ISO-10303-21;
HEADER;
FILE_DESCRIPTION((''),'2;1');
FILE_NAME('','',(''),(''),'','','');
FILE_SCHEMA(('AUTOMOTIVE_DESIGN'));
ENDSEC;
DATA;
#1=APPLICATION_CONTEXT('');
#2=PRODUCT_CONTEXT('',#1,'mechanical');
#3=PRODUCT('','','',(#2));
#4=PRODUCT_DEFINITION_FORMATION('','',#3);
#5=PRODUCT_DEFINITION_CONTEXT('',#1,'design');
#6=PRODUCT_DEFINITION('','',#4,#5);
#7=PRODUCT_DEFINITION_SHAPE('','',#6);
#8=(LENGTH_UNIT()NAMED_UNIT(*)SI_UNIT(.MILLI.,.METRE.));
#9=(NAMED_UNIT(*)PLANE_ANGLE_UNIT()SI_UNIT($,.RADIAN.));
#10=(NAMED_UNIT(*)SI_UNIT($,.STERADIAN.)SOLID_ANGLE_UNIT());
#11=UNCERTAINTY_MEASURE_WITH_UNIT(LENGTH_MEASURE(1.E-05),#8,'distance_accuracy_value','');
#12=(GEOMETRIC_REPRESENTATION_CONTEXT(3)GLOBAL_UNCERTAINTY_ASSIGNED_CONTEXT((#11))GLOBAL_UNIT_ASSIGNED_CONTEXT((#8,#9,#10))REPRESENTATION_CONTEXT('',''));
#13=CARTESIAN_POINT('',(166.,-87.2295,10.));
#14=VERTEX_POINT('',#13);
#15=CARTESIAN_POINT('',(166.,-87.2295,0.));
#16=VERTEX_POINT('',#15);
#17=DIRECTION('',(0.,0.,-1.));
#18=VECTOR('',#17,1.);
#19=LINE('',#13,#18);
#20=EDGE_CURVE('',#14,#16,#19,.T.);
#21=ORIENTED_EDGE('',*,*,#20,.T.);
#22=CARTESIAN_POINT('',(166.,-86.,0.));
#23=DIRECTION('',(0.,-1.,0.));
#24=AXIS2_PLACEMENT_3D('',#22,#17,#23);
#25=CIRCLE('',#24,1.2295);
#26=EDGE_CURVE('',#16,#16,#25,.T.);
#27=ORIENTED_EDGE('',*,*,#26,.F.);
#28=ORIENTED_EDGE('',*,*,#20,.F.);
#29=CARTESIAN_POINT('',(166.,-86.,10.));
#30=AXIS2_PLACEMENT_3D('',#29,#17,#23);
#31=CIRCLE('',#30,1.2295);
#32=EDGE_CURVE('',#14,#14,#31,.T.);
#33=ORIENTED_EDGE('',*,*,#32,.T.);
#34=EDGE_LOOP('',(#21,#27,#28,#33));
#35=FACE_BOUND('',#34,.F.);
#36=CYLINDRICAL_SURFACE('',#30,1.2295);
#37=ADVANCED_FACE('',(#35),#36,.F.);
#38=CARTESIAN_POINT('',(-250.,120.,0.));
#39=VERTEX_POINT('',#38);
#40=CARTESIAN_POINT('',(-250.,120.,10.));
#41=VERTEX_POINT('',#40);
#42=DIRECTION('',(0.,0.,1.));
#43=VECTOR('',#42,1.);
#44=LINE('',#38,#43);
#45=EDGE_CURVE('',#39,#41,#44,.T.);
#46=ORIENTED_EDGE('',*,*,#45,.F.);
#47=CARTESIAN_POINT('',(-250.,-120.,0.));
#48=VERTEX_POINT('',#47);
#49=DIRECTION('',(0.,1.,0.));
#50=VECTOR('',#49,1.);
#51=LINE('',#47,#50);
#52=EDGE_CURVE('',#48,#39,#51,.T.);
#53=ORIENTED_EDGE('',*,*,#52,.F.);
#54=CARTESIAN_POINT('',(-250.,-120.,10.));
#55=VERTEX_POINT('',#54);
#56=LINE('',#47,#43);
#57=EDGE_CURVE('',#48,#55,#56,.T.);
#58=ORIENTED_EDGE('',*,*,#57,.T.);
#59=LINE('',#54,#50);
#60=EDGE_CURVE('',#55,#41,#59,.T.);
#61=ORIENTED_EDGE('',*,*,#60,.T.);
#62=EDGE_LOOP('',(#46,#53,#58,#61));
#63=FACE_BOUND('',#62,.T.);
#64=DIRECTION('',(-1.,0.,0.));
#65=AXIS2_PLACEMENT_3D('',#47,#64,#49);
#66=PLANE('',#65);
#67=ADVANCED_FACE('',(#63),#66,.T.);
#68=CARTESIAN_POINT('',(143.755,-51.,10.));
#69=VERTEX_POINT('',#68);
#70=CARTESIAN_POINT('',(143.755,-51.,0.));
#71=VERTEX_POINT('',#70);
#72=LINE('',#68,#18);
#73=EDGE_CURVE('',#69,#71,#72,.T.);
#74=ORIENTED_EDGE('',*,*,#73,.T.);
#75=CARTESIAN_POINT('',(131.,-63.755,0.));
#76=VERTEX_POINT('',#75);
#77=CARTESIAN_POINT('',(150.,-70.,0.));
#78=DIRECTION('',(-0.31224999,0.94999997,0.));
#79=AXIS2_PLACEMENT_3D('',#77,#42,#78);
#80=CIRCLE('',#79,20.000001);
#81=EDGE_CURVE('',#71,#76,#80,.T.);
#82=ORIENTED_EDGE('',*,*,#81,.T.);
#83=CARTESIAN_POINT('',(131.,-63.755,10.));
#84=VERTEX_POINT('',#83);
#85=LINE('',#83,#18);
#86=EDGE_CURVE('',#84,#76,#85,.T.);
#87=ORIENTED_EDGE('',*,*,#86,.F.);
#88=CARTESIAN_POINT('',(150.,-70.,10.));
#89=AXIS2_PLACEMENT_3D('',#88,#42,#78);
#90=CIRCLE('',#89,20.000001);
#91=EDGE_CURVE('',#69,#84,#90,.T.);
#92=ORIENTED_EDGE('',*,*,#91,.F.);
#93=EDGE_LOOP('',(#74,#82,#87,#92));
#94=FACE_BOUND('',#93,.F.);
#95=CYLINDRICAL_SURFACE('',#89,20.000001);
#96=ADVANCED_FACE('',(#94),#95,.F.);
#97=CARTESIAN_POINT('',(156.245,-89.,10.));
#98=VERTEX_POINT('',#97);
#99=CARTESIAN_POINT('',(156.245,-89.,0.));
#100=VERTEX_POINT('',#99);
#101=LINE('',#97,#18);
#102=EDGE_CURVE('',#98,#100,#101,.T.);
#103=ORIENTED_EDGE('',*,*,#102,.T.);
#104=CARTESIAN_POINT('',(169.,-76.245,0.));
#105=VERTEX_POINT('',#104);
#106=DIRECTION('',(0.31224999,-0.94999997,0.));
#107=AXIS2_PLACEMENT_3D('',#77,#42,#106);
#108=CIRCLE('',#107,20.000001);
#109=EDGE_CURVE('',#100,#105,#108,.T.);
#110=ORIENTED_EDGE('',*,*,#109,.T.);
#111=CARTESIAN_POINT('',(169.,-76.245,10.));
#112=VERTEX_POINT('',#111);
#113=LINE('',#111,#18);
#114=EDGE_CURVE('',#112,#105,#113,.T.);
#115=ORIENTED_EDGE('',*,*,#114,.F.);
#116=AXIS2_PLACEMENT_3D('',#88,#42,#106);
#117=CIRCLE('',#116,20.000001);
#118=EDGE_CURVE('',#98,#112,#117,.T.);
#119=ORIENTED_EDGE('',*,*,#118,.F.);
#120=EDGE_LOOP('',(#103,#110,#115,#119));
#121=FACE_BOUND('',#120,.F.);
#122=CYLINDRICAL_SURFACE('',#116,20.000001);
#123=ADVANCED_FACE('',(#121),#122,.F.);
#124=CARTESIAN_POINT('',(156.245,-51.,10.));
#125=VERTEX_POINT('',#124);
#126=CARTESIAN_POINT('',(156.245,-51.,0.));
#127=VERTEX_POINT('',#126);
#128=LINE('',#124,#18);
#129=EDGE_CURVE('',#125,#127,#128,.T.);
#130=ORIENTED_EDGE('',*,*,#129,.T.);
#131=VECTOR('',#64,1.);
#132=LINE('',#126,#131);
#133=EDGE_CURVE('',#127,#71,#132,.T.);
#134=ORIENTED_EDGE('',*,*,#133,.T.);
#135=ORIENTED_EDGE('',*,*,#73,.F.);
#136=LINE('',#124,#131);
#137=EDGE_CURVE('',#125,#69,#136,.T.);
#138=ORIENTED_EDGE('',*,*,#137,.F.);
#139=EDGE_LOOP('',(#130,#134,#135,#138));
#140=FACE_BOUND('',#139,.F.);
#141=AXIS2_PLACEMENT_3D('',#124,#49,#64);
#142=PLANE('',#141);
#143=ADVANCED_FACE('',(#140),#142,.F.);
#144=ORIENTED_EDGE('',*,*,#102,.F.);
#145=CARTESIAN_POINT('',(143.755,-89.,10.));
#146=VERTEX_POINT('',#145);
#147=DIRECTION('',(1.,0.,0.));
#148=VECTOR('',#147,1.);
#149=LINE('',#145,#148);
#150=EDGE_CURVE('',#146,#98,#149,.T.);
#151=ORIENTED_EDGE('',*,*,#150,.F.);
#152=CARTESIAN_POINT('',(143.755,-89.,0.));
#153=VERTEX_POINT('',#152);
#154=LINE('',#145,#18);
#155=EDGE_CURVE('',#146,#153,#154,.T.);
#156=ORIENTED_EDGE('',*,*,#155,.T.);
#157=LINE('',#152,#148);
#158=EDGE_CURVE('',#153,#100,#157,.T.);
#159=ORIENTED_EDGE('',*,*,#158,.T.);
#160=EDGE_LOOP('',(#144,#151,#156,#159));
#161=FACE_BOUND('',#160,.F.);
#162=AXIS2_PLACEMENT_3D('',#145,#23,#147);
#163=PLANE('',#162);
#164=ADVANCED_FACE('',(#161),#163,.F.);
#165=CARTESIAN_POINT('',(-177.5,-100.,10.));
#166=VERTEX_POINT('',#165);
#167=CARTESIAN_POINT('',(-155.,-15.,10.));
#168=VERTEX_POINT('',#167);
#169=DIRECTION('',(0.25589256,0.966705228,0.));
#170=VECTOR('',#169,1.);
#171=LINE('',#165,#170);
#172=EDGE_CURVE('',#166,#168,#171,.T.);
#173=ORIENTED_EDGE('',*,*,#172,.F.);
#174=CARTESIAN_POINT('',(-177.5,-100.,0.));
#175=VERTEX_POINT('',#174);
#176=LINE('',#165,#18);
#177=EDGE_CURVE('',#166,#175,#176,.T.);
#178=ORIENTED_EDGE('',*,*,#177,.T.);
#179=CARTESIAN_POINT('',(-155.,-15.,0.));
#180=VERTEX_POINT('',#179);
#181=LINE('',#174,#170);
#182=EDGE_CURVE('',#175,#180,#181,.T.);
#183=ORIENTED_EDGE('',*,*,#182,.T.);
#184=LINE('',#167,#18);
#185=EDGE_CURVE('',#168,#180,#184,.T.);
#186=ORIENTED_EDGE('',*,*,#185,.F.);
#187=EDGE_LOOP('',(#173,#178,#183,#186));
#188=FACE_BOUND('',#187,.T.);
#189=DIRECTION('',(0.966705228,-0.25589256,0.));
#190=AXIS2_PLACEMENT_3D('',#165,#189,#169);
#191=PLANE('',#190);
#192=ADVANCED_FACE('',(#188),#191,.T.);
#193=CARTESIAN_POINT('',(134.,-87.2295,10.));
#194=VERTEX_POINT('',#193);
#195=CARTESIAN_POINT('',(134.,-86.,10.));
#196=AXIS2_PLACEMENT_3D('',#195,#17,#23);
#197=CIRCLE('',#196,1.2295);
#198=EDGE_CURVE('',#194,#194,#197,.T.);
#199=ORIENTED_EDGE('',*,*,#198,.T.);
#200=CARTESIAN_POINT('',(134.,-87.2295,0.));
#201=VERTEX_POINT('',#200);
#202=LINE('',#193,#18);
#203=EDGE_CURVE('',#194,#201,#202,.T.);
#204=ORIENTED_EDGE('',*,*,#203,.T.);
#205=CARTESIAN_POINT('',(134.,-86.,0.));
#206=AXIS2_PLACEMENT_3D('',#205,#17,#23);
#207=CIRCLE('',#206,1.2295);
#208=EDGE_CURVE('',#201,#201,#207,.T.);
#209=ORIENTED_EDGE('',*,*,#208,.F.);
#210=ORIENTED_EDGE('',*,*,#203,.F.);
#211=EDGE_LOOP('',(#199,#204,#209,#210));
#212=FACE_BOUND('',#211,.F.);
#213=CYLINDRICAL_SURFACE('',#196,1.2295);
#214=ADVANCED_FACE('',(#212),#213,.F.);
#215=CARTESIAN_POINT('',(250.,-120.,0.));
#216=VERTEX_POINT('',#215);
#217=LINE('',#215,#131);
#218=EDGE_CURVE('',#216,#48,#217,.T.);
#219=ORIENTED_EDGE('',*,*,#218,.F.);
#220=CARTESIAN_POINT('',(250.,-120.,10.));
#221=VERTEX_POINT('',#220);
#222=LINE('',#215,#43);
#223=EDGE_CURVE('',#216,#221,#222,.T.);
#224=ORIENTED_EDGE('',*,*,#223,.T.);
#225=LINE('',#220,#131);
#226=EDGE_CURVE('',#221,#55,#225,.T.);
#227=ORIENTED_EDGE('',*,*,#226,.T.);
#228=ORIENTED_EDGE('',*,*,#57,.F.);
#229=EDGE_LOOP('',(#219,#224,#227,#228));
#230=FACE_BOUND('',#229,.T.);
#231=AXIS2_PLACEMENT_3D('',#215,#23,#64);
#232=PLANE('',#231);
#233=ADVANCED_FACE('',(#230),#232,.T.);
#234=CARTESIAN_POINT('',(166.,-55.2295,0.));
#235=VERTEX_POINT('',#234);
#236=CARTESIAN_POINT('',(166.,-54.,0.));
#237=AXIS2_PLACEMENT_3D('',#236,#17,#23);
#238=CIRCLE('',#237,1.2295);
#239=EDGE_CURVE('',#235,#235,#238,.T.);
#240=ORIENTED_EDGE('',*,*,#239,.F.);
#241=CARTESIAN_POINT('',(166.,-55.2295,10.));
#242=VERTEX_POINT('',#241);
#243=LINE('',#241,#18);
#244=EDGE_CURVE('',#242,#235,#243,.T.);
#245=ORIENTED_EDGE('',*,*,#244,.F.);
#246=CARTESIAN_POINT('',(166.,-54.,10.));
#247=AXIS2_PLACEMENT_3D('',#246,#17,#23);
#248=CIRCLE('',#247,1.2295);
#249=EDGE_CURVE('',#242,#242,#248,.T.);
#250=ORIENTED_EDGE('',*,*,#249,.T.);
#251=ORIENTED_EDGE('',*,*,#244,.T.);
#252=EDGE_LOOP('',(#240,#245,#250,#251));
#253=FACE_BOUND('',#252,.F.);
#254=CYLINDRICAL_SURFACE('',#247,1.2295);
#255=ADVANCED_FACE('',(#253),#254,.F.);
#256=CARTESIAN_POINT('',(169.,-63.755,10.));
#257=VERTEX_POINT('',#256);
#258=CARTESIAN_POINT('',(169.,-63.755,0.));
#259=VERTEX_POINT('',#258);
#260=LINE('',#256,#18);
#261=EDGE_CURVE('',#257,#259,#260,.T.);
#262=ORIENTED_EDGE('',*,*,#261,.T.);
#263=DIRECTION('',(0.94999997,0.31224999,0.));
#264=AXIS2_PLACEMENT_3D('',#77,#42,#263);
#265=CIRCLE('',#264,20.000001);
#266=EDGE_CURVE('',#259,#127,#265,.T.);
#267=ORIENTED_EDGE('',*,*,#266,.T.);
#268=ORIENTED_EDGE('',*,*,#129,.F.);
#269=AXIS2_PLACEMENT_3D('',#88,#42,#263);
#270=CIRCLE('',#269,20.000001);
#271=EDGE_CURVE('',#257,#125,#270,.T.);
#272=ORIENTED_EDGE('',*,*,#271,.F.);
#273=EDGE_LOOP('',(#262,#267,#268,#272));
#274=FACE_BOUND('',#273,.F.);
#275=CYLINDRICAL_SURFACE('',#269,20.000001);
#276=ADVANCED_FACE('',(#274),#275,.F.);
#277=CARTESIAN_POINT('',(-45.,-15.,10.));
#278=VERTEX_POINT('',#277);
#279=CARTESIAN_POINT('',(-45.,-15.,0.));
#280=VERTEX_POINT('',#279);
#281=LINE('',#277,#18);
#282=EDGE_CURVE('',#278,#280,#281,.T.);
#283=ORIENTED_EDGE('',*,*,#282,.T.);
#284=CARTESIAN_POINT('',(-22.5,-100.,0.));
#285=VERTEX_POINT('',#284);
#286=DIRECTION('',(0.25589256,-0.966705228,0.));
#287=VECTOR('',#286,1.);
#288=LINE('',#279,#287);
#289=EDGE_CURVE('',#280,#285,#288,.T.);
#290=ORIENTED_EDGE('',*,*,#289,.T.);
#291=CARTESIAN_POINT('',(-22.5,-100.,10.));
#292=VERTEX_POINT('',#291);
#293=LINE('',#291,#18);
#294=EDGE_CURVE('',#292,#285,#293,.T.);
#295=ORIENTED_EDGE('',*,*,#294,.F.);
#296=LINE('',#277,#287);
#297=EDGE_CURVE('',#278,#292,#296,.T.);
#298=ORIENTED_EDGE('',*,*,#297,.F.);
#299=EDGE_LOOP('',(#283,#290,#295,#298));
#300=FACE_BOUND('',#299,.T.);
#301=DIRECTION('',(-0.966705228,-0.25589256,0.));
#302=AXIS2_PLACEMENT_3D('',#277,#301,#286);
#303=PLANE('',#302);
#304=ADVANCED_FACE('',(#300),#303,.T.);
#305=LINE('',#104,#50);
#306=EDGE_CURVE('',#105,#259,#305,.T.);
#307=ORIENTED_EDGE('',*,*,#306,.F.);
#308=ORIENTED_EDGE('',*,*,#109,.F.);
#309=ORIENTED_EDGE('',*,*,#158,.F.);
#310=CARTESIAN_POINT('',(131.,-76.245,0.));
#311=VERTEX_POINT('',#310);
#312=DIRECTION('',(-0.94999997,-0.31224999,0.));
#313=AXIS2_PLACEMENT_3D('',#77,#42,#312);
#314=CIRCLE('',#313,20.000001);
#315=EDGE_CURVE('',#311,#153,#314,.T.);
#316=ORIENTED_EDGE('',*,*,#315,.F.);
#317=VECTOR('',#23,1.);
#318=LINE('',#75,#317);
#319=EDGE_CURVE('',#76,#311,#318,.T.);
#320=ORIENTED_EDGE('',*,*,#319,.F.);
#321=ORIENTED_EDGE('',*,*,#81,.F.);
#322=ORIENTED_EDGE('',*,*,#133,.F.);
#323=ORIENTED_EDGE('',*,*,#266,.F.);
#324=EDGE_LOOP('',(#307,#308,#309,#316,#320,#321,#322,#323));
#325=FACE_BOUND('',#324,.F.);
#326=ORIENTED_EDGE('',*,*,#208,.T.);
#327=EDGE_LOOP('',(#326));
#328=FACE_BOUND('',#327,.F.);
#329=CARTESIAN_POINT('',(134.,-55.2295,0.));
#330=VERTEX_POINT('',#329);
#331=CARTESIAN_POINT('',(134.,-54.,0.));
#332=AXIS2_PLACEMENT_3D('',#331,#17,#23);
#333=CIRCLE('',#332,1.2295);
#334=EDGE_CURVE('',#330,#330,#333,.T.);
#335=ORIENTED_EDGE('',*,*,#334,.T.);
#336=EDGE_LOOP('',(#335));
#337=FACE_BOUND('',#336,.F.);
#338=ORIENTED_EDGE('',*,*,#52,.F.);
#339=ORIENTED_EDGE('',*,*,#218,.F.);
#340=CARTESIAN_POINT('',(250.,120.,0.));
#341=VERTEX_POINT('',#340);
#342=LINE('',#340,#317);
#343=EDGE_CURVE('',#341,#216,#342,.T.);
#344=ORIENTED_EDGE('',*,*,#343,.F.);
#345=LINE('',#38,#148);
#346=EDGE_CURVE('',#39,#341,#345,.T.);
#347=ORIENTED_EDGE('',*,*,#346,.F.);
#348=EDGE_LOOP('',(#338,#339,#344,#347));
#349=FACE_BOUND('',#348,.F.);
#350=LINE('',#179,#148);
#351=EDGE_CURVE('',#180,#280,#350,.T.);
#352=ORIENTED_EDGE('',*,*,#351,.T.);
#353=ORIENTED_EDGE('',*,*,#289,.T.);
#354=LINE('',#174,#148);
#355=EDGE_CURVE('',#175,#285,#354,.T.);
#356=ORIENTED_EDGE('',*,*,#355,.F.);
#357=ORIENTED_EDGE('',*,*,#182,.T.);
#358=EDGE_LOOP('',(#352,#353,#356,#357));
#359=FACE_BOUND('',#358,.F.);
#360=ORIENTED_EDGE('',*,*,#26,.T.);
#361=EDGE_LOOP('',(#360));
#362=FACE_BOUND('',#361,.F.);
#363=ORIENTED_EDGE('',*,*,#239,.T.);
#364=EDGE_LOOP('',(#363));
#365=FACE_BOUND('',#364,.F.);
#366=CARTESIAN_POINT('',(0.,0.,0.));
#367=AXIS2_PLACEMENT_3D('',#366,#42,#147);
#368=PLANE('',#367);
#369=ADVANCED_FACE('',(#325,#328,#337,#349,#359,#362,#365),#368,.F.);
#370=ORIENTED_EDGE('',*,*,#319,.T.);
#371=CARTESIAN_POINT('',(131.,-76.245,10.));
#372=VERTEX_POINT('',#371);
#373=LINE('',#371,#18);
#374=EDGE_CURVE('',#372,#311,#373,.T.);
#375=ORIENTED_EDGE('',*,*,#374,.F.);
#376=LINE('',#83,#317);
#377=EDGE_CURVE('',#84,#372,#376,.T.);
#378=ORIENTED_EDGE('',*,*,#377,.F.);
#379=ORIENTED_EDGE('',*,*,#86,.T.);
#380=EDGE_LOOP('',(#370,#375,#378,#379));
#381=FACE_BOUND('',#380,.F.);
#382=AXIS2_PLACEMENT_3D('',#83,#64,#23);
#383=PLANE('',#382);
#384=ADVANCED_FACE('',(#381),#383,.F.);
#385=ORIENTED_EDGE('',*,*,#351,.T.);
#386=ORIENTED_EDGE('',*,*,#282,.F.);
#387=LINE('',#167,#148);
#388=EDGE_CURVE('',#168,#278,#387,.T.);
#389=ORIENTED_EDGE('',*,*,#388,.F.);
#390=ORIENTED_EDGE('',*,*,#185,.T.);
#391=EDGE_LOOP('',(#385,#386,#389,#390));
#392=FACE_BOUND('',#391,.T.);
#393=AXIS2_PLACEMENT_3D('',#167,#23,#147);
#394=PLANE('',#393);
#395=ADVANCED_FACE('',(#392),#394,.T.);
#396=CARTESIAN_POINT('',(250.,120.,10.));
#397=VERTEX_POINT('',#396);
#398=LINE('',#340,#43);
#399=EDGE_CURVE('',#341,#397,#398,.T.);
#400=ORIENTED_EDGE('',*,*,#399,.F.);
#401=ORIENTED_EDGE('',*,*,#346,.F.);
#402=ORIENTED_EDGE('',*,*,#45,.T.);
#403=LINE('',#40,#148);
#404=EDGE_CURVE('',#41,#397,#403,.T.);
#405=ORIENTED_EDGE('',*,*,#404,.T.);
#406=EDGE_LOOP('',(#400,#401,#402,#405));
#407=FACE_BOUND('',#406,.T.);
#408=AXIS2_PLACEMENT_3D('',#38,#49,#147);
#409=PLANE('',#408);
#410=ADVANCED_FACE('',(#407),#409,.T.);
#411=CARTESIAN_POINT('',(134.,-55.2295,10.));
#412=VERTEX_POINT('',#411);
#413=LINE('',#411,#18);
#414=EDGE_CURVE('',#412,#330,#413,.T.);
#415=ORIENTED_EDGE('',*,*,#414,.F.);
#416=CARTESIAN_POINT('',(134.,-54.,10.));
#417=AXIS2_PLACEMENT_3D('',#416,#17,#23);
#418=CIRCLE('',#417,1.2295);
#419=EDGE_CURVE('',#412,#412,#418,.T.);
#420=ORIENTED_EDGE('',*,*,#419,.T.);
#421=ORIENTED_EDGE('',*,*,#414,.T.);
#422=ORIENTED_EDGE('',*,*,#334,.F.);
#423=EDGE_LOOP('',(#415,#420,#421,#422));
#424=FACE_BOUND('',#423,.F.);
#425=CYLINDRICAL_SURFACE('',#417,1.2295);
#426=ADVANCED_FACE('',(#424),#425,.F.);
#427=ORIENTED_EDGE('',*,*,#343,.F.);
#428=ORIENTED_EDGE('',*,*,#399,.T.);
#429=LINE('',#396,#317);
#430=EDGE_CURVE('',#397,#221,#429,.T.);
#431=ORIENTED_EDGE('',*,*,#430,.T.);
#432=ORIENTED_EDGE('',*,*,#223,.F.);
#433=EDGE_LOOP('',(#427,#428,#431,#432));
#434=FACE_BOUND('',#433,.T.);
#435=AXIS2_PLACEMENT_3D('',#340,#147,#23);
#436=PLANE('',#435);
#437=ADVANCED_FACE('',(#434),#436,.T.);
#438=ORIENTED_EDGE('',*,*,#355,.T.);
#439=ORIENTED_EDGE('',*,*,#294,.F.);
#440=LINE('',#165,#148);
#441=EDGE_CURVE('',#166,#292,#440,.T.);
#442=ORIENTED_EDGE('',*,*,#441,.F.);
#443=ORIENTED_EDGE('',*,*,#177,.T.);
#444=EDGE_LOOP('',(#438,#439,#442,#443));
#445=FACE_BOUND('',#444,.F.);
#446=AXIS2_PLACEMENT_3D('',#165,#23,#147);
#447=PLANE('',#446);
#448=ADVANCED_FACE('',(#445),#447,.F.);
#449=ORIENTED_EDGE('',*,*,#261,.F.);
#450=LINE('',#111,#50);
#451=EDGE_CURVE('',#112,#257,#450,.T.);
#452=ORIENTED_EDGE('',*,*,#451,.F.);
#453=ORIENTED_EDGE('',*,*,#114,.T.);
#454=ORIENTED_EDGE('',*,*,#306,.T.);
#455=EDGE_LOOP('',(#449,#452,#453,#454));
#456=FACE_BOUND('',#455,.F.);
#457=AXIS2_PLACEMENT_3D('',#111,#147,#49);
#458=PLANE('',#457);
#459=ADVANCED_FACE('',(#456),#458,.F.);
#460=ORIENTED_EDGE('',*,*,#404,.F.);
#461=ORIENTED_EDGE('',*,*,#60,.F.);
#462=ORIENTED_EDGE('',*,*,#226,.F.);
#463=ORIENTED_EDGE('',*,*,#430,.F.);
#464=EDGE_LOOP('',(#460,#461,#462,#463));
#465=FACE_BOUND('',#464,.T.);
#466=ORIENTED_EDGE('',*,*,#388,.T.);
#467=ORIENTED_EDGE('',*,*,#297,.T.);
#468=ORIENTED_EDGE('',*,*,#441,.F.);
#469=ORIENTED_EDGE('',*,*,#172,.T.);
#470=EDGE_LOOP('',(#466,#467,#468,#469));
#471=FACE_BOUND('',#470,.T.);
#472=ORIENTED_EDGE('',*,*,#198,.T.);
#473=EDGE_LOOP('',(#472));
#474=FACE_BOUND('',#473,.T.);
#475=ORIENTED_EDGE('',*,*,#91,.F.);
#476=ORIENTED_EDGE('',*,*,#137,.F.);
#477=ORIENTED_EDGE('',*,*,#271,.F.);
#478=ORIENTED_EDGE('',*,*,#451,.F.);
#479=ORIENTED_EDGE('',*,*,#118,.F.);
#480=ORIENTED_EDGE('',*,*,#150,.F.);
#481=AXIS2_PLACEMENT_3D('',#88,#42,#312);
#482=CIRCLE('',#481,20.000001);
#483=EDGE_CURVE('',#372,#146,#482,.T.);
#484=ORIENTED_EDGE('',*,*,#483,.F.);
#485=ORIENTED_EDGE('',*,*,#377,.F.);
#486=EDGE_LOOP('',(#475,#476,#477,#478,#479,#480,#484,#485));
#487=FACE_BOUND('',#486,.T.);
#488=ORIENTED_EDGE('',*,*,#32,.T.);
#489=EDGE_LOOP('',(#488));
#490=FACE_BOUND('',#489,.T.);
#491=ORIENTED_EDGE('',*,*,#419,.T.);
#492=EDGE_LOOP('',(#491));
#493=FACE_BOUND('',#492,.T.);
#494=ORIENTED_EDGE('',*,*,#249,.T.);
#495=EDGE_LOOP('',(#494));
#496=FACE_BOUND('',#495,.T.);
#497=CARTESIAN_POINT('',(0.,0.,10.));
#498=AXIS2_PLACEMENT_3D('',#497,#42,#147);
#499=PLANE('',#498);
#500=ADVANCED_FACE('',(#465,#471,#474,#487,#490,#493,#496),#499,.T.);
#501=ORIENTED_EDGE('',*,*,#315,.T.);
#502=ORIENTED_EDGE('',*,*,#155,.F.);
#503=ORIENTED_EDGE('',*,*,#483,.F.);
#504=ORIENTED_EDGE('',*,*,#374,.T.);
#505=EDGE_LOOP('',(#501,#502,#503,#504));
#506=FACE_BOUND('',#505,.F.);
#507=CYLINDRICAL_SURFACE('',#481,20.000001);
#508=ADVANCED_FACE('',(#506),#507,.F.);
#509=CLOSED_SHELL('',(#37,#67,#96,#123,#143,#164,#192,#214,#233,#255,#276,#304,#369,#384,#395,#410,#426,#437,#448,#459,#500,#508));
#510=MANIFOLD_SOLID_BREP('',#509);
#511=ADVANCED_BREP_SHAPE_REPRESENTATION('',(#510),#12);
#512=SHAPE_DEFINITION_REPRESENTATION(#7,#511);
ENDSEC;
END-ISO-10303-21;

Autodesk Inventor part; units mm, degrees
ref_plane "YZ Plane" through (0, 0, 0) normal (1, 0, 0) x (0, 1, 0)
ref_plane "XZ Plane" through (0, 0, 0) normal (0, 1, 0) x (-1, 0, 0)
ref_plane "XY Plane" through (0, 0, 0) normal (0, 0, 1) x (1, 0, 0)
sketch "Skizze1" plane through (0, 0, 0) normal (0, 0, 1) x (1, 0, 0)
  line L0 (-250, 120) -> (250, 120)
  line L1 (250, 120) -> (250, -120)
  line L2 (250, -120) -> (-250, -120)
  line L3 (-250, -120) -> (-250, 120)
  line L4 (-250, 120) -> (250, -120) construction
  line L5 (250, 120) -> (-250, -120) construction
  point P0 (0, 0)
  dimension "d0" = 500
  dimension "d1" = 240
extrude "Extrusion1" add sketch "Skizze1" along normal blind 10
sketch "Skizze2" plane through (0, 0, 10) normal (0, 0, 1) x (1, 0, 0)
  line L0 (-250, 120) -> (-250, -120) projected
  line L1 (-250, -120) -> (250, -120) projected
  line L2 (250, -120) -> (250, 120) projected
  line L3 (-177.5, -100) -> (-155, -15)
  line L4 (-155, -15) -> (-45, -15)
  line L5 (-45, -15) -> (-22.5, -100)
  line L6 (-177.5, -100) -> (-22.5, -100)
  line L7 (143.755, -89) -> (156.245, -89)
  line L8 (169, -76.245) -> (169, -63.755)
  line L9 (156.245, -51) -> (143.755, -51)
  line L10 (131, -63.755) -> (131, -76.245)
  line L11 (143.755, -89) -> (156.245, -51) construction
  line L12 (169, -76.245) -> (131, -63.755) construction
  arc A0 (156.245, -89) -> (169, -76.245) centre (150, -70) ccw
  arc A1 (131, -76.245) -> (143.755, -89) centre (150, -70) ccw
  arc A2 (169, -63.755) -> (156.245, -51) centre (150, -70) ccw
  arc A3 (143.755, -51) -> (131, -63.755) centre (150, -70) ccw
  point P0 (0, 0)
  point P1 (-100, -15)
  point P2 (-100, -100)
  point P3 (-33.75, -57.5)
  dimension "d25" = 155
  dimension "d26" = 110
  dimension "d27" = 150
  dimension "d28" = 20
  dimension "d29" = 85
  dimension "d33" = 100
  dimension "d34" = 50
  dimension "d47" = 38
  dimension "d48" = 20
extrude "Extrusion2" cut sketch "Skizze2" against normal blind 10
sketch "Skizze3" plane through (0, 0, 10) normal (0, 0, 1) x (1, 0, 0)
  circle A0 centre (150, -70) radius 20 projected
  line L0 (134, -86) -> (166, -86)
  line L1 (166, -86) -> (166, -54)
  line L2 (166, -54) -> (134, -54)
  line L3 (134, -54) -> (134, -86)
  line L4 (134, -86) -> (166, -54) construction
  line L5 (166, -86) -> (134, -54) construction
  point P0 (0, 0)
  dimension "d35" = 32
  dimension "d36" = 32
hole "Bohrung3" at (166, -54, 10) at (134, -54, 10) at (134, -86, 10) at (166, -86, 10) direction (0, 0, -1) diameter 2.459 end through all thread size "M3x0.5" class "6H" standard "ISO Metric profile"
properties part number "Lid_TopPanel2" material "Polycarbonat, klar"
